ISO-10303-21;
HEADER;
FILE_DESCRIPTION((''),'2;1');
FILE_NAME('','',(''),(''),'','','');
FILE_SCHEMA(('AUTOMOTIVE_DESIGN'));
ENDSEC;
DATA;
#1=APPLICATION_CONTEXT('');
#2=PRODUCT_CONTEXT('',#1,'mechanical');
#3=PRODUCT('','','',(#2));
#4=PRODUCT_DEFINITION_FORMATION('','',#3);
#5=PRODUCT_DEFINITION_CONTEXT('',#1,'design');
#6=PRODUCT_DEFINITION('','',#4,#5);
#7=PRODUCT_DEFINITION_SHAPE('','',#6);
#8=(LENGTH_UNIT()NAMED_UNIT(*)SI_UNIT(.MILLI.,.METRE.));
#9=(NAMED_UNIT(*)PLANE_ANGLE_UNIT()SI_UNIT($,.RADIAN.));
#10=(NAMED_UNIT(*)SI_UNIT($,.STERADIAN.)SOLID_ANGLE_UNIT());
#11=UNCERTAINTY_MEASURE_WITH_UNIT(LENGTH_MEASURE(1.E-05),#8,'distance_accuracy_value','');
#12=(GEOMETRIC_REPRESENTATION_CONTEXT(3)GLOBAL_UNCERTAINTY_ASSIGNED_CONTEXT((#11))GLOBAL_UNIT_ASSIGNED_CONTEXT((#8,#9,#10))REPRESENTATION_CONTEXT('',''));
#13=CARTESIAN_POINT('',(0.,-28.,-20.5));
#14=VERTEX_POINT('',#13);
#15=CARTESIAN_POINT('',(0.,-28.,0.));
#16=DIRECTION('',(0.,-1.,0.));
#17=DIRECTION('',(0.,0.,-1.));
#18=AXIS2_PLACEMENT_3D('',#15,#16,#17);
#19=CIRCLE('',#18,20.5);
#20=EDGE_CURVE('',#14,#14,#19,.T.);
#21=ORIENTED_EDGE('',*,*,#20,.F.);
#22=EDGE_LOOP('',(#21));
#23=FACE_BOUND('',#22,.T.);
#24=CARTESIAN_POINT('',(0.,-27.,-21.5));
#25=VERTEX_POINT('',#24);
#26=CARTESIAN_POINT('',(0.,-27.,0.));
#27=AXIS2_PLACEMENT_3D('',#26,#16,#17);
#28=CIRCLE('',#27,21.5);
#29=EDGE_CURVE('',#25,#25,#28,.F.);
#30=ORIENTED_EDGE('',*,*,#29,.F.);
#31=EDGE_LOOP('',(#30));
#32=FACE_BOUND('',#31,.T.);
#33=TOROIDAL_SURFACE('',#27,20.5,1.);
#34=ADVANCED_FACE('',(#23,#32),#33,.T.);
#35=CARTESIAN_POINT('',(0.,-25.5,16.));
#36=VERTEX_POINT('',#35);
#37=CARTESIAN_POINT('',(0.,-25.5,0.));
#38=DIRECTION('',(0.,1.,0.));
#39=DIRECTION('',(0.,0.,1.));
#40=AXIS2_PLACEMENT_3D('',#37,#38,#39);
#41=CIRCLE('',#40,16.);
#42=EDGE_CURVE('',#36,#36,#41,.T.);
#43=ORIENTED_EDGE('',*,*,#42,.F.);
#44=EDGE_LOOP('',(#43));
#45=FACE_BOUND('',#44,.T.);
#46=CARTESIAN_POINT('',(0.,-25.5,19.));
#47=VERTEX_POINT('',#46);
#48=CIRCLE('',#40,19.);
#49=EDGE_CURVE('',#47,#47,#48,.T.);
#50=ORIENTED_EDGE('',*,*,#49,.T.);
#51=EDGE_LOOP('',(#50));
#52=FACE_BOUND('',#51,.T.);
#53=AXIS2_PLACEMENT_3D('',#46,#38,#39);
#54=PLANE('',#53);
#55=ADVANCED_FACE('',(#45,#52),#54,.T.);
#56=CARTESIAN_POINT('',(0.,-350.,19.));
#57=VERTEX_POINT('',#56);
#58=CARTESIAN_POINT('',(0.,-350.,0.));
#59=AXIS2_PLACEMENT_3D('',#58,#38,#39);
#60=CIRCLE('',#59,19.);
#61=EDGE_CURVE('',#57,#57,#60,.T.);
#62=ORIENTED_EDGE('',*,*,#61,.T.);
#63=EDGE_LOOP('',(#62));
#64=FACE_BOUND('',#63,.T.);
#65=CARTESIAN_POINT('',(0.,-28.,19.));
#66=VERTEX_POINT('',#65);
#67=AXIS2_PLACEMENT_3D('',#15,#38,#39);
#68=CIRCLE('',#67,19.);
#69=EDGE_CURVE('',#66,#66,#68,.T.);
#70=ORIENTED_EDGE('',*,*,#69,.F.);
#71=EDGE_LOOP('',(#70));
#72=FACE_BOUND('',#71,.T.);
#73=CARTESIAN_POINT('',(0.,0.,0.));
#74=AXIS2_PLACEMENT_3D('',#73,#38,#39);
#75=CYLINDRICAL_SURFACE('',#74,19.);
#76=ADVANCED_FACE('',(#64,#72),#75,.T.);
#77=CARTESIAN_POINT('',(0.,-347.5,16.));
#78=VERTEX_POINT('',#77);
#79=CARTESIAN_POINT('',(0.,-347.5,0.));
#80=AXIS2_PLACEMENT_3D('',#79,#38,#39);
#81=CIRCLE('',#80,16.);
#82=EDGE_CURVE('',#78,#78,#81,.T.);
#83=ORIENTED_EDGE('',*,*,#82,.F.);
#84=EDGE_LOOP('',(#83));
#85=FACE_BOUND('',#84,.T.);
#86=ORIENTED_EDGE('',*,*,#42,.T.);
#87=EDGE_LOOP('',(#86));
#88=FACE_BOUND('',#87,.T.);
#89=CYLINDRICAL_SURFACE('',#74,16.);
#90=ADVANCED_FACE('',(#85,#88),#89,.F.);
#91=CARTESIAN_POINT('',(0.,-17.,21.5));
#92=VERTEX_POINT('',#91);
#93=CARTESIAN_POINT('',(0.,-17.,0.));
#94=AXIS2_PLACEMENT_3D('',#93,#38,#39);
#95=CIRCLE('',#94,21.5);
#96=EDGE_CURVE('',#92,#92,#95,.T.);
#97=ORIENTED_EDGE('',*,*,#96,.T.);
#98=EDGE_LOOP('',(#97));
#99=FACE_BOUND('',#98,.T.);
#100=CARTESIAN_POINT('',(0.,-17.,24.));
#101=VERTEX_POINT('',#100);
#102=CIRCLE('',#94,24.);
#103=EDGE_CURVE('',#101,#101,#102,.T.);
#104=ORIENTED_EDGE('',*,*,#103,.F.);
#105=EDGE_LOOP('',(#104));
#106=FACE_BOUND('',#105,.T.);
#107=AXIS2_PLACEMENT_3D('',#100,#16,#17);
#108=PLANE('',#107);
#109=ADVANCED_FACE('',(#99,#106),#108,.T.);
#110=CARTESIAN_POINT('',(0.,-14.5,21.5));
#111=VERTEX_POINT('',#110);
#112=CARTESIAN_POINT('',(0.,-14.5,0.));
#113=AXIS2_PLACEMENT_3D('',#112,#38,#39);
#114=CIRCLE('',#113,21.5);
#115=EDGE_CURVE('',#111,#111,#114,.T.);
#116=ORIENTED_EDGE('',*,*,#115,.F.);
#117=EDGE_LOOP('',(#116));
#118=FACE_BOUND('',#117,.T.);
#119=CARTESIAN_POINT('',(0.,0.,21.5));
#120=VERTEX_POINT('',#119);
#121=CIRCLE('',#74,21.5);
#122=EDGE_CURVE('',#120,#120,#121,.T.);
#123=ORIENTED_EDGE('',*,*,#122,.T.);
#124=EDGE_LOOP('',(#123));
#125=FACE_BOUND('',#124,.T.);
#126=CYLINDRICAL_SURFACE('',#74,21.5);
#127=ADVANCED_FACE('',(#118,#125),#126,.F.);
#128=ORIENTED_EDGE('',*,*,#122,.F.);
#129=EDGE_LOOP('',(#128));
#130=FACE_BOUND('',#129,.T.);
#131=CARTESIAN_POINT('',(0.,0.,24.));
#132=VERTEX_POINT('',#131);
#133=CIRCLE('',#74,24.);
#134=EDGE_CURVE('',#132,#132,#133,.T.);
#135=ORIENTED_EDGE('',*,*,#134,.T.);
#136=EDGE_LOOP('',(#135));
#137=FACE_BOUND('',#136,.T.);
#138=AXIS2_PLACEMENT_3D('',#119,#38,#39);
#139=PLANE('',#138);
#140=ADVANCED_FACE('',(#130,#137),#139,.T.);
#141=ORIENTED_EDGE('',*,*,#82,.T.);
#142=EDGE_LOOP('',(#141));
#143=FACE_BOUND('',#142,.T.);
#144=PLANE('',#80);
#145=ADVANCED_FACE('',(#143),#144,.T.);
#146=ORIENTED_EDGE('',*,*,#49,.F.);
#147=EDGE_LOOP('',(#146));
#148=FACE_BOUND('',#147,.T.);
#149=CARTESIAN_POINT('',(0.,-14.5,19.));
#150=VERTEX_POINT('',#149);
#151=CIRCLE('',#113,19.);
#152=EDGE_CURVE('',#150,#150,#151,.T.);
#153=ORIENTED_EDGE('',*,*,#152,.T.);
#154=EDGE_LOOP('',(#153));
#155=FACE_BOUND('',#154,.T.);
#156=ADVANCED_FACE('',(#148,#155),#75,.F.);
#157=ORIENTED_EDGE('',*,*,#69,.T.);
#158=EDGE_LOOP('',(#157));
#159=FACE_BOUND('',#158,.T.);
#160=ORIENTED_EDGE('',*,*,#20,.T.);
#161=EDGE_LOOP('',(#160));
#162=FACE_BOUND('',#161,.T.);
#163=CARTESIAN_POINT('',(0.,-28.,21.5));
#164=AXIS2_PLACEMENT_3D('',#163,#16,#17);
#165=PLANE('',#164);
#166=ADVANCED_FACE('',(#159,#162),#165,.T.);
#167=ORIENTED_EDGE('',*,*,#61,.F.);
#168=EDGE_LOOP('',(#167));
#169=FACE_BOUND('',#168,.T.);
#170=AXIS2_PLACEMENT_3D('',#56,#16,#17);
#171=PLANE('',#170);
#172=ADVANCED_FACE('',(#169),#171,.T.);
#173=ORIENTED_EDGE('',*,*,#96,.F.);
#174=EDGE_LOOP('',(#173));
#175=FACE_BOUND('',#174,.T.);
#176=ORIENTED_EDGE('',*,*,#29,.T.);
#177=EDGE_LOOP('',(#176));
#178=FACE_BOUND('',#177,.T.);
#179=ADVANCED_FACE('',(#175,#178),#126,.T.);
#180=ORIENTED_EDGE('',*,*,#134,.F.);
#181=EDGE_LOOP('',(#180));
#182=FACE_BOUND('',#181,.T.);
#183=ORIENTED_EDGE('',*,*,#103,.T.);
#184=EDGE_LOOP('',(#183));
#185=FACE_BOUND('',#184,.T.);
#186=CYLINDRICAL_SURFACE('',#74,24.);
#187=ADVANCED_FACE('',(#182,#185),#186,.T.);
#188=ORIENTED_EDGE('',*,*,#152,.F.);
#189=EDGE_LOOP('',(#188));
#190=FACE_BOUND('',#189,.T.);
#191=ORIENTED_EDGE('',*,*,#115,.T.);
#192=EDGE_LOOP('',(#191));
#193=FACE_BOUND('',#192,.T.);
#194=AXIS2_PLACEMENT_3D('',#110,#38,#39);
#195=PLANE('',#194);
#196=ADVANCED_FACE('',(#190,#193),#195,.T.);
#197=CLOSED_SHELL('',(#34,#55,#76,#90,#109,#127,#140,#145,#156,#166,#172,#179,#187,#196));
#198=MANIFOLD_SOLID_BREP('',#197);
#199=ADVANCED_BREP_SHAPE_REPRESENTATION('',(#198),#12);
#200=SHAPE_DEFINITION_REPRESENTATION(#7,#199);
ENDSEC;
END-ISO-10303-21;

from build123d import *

# Parameters (mm, degrees)
FILLET2_R = 1


with BuildPart() as part:
    # Sketch1 → Revolve1 (revolve)
    with BuildSketch(Plane(origin=(0, 0, 0), x_dir=(0, 0, -1), z_dir=(1, 0, 0))):
        Polygon((-21.5, 0), (-24, 0), (-24, -17), (-21.5, -17), (-21.5, -28), (-19, -28), (-19, -350), (0, -350), (0, -347.5), (-16, -347.5), (-16, -345.435797774), (-16, -25.5), (-19, -25.5), (-19, -14.5), (-21.5, -14.5), align=None)
    revolve(axis=Axis((0, 0, 0), (0, -1, 0)))

    # Fillet2
    fillet2_edges = [part.edges().sort_by_distance(p)[0] for p in [
        (0, -28, -21.5),
    ]]
    fillet(fillet2_edges, radius=FILLET2_R)


solid = part.part
